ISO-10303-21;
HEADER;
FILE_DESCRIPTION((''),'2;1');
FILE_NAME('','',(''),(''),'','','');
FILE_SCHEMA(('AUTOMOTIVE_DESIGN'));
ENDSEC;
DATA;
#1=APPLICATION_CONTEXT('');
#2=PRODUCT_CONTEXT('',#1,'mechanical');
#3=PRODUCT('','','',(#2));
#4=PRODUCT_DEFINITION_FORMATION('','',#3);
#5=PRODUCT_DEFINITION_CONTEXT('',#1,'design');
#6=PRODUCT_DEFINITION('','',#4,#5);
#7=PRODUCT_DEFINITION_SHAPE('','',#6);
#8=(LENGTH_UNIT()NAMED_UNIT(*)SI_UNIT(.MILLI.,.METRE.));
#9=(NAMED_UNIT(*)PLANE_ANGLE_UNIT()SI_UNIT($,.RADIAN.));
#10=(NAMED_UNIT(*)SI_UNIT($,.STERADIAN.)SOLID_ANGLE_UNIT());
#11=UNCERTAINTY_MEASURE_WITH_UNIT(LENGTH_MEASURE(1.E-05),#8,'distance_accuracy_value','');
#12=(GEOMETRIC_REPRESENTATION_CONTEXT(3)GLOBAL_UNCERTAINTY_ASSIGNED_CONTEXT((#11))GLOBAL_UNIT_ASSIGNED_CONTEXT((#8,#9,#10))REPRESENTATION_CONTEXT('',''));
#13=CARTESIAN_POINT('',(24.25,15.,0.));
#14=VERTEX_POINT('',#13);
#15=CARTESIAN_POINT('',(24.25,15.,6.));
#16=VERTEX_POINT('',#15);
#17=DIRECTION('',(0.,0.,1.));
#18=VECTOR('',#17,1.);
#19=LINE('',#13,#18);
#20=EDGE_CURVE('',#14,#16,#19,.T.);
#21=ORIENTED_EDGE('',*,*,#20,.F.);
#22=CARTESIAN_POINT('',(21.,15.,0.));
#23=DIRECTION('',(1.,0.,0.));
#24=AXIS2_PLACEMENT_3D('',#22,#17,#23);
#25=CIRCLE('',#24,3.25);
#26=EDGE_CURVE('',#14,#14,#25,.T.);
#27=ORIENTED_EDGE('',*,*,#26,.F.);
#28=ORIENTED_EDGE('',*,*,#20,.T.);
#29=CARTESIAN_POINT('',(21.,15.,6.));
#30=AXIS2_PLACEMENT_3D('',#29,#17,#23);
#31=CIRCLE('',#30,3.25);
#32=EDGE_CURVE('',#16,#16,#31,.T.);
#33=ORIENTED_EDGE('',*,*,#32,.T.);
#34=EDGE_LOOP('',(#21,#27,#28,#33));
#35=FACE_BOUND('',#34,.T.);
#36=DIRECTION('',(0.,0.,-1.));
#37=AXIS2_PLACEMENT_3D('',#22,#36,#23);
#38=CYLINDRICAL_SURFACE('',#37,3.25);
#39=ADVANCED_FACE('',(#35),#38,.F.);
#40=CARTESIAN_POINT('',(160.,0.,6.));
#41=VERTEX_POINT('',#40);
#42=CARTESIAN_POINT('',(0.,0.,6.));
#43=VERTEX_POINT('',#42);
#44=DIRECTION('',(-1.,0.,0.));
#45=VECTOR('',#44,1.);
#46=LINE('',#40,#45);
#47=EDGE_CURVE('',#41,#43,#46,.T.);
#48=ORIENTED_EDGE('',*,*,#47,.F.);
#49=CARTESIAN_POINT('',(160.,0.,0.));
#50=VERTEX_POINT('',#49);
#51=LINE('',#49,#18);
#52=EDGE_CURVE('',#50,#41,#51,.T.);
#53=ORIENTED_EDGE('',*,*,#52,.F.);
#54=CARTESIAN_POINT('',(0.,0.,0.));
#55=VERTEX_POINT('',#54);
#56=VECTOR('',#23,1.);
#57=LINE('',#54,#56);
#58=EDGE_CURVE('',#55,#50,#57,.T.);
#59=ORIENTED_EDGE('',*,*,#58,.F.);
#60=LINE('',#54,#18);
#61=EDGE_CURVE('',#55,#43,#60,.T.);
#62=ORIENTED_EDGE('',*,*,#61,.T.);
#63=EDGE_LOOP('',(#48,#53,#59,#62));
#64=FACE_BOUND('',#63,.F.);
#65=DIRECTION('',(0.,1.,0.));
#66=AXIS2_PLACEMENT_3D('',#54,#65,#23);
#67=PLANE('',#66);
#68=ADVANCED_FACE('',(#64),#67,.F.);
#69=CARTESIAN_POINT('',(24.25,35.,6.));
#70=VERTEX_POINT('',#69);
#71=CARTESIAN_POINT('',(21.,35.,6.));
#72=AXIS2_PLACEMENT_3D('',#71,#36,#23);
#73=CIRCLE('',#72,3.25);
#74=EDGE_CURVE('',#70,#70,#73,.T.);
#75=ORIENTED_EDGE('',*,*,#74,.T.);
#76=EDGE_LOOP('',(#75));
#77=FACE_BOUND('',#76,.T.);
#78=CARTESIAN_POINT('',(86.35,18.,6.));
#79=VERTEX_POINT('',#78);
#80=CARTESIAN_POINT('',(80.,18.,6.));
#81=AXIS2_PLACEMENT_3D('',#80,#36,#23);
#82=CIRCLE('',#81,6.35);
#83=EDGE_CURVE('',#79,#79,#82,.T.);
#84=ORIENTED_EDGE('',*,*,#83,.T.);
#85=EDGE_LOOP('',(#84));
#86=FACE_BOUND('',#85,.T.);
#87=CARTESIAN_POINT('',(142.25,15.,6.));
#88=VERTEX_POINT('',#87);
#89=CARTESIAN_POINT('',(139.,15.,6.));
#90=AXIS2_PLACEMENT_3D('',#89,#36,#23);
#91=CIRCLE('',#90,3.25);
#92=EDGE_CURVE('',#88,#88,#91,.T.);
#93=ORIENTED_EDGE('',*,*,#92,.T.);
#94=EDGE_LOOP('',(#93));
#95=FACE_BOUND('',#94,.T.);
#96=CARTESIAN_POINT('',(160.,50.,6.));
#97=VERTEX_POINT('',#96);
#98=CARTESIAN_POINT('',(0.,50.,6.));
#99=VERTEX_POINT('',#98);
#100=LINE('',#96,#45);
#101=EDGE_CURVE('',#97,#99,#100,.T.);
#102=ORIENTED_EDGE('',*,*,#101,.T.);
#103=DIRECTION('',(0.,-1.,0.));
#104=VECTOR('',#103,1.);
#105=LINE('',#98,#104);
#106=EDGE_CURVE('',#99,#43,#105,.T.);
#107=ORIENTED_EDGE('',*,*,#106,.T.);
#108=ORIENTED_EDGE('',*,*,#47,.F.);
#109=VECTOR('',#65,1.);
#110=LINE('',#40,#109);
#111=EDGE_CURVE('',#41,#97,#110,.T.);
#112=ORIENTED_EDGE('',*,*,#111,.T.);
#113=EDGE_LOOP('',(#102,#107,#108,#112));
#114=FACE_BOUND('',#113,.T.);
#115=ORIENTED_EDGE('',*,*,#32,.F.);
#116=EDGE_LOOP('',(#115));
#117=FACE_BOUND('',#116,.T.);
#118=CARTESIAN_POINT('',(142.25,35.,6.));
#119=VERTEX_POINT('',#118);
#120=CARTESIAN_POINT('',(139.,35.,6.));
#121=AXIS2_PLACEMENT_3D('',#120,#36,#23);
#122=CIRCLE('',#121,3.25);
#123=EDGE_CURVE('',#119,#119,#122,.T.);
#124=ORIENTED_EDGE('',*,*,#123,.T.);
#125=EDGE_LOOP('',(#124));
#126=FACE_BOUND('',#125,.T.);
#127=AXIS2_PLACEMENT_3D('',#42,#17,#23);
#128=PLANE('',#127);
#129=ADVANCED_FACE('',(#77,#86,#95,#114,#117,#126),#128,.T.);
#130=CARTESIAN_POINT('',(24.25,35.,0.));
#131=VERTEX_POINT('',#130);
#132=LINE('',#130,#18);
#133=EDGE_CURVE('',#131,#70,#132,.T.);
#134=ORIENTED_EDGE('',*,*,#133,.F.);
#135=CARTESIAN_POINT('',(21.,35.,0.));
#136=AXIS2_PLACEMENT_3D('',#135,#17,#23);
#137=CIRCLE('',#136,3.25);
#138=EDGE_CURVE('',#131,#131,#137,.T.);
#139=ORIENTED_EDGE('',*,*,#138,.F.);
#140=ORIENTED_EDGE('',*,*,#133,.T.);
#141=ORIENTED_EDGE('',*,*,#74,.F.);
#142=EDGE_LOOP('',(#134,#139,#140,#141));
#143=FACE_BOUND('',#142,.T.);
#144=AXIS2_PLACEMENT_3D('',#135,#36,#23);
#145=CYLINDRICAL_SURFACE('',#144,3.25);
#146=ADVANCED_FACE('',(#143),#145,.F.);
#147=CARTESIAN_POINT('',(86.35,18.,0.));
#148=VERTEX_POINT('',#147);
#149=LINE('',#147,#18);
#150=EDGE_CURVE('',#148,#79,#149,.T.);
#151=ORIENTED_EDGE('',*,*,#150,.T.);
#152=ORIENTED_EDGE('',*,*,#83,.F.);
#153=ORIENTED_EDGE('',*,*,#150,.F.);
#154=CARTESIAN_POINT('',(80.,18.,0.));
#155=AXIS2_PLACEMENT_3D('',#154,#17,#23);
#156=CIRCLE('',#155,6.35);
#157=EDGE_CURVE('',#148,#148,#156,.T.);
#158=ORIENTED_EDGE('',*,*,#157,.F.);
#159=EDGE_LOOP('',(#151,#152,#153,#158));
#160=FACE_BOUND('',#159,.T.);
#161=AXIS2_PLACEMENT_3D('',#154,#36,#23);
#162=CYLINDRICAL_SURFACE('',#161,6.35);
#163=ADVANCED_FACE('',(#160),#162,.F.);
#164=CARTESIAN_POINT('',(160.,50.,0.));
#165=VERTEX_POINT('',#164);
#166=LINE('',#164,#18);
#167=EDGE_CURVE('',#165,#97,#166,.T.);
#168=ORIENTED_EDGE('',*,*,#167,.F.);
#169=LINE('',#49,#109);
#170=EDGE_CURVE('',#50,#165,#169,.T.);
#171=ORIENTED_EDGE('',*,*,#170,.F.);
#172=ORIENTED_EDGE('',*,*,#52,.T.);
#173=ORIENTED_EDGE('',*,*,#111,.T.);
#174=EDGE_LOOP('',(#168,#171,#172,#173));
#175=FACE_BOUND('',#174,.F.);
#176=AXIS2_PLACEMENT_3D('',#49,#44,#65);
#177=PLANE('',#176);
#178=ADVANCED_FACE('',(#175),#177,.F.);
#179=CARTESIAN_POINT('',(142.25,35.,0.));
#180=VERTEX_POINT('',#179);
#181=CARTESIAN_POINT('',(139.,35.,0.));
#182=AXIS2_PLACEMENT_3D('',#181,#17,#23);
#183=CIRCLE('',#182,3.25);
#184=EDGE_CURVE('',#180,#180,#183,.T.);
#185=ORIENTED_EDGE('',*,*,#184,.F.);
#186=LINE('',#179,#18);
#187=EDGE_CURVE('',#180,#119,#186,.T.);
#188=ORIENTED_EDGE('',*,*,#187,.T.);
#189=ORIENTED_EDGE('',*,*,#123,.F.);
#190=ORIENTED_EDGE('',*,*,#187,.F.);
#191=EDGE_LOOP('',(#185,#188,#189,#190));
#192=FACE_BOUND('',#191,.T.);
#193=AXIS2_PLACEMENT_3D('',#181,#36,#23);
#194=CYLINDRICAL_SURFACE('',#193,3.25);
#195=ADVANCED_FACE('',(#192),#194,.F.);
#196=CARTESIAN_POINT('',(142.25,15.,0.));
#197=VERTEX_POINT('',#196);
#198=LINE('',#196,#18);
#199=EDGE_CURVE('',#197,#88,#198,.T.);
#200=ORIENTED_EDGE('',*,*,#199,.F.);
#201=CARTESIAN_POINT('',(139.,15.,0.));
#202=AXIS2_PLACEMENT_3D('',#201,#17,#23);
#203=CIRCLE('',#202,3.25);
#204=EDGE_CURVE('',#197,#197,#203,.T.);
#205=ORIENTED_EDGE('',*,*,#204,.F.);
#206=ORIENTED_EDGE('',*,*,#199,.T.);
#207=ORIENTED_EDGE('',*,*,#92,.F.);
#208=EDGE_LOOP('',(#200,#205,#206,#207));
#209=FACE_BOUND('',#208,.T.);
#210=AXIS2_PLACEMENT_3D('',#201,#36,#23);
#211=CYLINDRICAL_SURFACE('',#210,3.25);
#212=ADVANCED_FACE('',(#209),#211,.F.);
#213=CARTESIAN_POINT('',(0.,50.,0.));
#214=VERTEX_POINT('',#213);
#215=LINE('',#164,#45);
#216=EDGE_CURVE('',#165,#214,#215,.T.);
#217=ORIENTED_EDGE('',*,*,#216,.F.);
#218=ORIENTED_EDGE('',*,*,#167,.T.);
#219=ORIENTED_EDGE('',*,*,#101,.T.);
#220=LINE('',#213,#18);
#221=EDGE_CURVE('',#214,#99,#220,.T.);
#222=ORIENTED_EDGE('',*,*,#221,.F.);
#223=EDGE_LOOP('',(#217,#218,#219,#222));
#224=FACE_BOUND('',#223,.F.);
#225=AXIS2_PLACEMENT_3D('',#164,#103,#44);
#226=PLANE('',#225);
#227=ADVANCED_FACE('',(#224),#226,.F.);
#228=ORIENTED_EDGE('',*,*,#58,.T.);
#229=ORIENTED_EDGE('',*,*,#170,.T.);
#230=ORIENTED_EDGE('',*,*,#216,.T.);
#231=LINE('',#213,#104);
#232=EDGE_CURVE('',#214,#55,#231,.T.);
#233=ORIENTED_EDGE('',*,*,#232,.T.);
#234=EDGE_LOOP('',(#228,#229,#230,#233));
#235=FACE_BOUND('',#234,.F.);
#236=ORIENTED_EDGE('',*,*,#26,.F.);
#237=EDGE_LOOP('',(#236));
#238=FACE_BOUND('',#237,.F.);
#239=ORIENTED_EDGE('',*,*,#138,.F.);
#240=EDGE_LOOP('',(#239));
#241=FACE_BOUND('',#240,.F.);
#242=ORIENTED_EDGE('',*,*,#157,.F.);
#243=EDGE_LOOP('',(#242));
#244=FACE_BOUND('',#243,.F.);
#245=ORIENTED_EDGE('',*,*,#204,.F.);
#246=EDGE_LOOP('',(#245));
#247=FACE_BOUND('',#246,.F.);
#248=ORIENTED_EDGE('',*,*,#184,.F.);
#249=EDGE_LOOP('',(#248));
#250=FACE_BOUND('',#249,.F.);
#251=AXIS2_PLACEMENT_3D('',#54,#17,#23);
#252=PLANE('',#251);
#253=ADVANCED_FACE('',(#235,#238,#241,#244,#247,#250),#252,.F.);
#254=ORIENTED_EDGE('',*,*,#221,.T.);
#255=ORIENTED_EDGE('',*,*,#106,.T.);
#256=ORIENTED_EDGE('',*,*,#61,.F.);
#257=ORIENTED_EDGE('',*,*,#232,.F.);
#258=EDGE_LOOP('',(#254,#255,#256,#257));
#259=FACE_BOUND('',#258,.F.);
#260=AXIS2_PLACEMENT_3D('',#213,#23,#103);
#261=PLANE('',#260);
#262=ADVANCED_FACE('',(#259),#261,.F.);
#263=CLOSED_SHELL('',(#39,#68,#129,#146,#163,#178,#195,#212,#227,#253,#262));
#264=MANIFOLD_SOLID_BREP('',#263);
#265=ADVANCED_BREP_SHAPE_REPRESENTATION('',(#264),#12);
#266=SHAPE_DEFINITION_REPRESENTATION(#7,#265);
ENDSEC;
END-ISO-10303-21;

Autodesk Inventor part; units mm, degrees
ref_plane "YZ Plane" through (0, 0, 0) normal (1, 0, 0) x (0, 1, 0)
ref_plane "XZ Plane" through (0, 0, 0) normal (0, 1, 0) x (-1, 0, 0)
ref_plane "XY Plane" through (0, 0, 0) normal (0, 0, 1) x (1, 0, 0)
sketch "Sketch1" plane through (0, 0, 0) normal (0, 0, 1) x (1, 0, 0)
  line L0 (0, 0) -> (160, 0)
  line L1 (160, 0) -> (160, 50)
  line L2 (160, 50) -> (0, 50)
  line L3 (0, 50) -> (0, 0)
  line L4 (0, 0) -> (21, 0)
  circle A0 centre (21, 35) radius 3.25
  circle A1 centre (21, 15) radius 3.25
  circle A2 centre (139, 15) radius 3.25
  circle A3 centre (139, 35) radius 3.25
  circle A4 centre (80, 18) radius 6.35
  point P0 (80, 25)
  point P1 (80, 25)
  point P2 (80, 50)
  dimension "d0" = 160
  dimension "d1" = 50
  dimension "d2" = 21
  dimension "d5" = 6.5
  dimension "d6" = 6.5
  dimension "d13" = 20
  dimension "d14" = 15
  dimension "d15" = 21
  dimension "d19" = 360
  dimension "d23" = 80
  dimension "d24" = 12.7
  dimension "d25" = 32
extrude "Extrusion1" add sketch "Sketch1" along normal blind 6 contours L3 L2 L1 L0 | A0 | A2 | A3 | A4
extrude "Extrusion3" cut sketch "Sketch1" along normal blind 10 contours A0 | A2 | A3 | A4
sketch "Sketch4" plane through (0, 50, 0) normal (0, 1, 0) x (1, 0, 0)
  point P0 (0, 0)
sketch "Sketch5" plane through (0, 0, 6) normal (0, 0, 1) x (1, 0, 0)
  point P0 (0, 0)
sketch "Sketch6" plane through (0, 0, 6) normal (0, 0, 1) x (1, 0, 0)
  point P0 (0, 0)
properties part number "support plate 3"
